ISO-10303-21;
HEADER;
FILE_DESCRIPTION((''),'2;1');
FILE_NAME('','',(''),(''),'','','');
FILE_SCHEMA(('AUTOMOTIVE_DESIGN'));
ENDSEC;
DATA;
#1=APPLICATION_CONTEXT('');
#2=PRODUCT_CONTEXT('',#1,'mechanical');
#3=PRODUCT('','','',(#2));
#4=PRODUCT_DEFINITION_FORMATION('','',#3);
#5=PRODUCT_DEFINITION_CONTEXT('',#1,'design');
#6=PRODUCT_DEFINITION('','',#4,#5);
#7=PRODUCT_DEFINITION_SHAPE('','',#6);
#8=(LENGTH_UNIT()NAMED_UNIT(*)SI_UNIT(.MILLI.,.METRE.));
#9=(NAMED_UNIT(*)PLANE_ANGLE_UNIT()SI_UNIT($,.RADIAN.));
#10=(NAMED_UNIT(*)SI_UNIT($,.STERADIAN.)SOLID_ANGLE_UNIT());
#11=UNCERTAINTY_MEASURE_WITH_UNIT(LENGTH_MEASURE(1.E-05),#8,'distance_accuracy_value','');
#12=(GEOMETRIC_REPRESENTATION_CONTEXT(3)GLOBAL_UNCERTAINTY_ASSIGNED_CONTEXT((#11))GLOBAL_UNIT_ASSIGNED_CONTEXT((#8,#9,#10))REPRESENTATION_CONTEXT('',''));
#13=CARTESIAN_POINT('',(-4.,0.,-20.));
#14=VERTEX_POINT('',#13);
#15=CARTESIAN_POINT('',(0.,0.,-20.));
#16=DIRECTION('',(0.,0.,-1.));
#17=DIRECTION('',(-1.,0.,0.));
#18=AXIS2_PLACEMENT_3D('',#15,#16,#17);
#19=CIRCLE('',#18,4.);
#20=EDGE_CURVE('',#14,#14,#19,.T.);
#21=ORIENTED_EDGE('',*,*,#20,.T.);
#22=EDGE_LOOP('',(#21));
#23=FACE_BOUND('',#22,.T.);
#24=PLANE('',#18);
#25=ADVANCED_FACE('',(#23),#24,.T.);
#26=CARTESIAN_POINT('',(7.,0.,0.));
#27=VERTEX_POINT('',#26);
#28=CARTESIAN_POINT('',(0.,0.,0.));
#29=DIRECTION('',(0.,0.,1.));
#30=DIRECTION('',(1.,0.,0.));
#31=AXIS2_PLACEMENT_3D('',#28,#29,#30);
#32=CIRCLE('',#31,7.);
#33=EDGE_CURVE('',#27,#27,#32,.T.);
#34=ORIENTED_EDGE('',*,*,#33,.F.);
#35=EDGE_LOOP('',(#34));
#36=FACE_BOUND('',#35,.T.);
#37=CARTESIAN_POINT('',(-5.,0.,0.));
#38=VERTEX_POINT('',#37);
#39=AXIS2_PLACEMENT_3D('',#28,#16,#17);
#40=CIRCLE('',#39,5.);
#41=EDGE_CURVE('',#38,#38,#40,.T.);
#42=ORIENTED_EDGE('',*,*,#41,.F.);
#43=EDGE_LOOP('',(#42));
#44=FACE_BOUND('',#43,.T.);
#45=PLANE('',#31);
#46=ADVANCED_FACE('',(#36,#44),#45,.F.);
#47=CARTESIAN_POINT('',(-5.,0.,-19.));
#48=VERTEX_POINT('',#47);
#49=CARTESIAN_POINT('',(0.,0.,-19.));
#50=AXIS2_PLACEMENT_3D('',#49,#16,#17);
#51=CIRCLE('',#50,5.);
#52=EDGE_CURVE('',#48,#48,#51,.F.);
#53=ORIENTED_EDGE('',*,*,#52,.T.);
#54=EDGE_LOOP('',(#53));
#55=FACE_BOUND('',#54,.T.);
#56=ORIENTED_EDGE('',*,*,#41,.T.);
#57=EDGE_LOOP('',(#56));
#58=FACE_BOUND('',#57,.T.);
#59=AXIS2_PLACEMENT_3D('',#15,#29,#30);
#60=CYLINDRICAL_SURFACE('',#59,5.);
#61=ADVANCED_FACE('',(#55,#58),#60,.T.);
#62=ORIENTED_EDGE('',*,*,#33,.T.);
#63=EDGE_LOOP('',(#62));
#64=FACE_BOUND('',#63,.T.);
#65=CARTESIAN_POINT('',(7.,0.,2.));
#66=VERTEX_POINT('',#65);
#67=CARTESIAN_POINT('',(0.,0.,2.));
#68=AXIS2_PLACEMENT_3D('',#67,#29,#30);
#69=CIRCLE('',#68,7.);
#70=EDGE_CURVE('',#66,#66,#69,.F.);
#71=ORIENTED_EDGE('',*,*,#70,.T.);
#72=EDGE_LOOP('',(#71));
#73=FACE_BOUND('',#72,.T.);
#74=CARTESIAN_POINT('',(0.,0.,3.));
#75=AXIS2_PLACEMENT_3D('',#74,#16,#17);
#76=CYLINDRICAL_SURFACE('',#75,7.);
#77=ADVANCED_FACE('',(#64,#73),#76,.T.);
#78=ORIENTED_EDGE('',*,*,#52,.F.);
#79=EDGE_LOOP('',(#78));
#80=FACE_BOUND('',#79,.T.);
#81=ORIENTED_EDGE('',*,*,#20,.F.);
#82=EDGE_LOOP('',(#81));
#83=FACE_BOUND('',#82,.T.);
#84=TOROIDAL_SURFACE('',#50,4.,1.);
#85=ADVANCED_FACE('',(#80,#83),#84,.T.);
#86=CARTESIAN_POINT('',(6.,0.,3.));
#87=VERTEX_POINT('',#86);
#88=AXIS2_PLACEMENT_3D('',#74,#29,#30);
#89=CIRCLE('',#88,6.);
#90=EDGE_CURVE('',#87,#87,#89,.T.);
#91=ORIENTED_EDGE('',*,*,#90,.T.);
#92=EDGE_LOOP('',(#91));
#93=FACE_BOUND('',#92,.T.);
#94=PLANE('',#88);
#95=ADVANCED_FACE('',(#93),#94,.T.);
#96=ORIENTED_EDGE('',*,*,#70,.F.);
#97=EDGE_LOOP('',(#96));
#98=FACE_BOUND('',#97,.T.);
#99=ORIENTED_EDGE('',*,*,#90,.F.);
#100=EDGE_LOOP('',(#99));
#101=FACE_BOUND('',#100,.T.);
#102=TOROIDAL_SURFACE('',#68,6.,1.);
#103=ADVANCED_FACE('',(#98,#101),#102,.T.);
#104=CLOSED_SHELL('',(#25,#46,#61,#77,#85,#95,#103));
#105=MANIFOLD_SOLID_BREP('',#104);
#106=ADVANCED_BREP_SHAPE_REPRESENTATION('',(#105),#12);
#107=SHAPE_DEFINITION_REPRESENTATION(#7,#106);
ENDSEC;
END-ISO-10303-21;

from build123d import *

# Parameters (mm, degrees)
SKICA1_R                = 7
P_IDAT_VYSUNUT_M1_DEPTH = 3
SKICA2_R                = 5
P_IDAT_VYSUNUT_M2_DEPTH = 20
ZAOBLIT1_R              = 1


with BuildPart() as part:
    # Skica1 → Přidat vysunutím1 (new body)
    with BuildSketch(Plane.XY):
        Circle(SKICA1_R)
    extrude(amount=P_IDAT_VYSUNUT_M1_DEPTH)

    # Skica2 → Přidat vysunutím2 (add)
    with BuildSketch(Plane(origin=(0, 0, 0), x_dir=(-1, 0, 0), z_dir=(0, 0, -1))):
        Circle(SKICA2_R)
    extrude(amount=P_IDAT_VYSUNUT_M2_DEPTH)

    # Zaoblit1
    zaoblit1_edges = [part.edges().sort_by_distance(p)[0] for p in [
        (-7, 0, 3),
        (5, 0, -20),
    ]]
    fillet(zaoblit1_edges, radius=ZAOBLIT1_R)


solid = part.part
